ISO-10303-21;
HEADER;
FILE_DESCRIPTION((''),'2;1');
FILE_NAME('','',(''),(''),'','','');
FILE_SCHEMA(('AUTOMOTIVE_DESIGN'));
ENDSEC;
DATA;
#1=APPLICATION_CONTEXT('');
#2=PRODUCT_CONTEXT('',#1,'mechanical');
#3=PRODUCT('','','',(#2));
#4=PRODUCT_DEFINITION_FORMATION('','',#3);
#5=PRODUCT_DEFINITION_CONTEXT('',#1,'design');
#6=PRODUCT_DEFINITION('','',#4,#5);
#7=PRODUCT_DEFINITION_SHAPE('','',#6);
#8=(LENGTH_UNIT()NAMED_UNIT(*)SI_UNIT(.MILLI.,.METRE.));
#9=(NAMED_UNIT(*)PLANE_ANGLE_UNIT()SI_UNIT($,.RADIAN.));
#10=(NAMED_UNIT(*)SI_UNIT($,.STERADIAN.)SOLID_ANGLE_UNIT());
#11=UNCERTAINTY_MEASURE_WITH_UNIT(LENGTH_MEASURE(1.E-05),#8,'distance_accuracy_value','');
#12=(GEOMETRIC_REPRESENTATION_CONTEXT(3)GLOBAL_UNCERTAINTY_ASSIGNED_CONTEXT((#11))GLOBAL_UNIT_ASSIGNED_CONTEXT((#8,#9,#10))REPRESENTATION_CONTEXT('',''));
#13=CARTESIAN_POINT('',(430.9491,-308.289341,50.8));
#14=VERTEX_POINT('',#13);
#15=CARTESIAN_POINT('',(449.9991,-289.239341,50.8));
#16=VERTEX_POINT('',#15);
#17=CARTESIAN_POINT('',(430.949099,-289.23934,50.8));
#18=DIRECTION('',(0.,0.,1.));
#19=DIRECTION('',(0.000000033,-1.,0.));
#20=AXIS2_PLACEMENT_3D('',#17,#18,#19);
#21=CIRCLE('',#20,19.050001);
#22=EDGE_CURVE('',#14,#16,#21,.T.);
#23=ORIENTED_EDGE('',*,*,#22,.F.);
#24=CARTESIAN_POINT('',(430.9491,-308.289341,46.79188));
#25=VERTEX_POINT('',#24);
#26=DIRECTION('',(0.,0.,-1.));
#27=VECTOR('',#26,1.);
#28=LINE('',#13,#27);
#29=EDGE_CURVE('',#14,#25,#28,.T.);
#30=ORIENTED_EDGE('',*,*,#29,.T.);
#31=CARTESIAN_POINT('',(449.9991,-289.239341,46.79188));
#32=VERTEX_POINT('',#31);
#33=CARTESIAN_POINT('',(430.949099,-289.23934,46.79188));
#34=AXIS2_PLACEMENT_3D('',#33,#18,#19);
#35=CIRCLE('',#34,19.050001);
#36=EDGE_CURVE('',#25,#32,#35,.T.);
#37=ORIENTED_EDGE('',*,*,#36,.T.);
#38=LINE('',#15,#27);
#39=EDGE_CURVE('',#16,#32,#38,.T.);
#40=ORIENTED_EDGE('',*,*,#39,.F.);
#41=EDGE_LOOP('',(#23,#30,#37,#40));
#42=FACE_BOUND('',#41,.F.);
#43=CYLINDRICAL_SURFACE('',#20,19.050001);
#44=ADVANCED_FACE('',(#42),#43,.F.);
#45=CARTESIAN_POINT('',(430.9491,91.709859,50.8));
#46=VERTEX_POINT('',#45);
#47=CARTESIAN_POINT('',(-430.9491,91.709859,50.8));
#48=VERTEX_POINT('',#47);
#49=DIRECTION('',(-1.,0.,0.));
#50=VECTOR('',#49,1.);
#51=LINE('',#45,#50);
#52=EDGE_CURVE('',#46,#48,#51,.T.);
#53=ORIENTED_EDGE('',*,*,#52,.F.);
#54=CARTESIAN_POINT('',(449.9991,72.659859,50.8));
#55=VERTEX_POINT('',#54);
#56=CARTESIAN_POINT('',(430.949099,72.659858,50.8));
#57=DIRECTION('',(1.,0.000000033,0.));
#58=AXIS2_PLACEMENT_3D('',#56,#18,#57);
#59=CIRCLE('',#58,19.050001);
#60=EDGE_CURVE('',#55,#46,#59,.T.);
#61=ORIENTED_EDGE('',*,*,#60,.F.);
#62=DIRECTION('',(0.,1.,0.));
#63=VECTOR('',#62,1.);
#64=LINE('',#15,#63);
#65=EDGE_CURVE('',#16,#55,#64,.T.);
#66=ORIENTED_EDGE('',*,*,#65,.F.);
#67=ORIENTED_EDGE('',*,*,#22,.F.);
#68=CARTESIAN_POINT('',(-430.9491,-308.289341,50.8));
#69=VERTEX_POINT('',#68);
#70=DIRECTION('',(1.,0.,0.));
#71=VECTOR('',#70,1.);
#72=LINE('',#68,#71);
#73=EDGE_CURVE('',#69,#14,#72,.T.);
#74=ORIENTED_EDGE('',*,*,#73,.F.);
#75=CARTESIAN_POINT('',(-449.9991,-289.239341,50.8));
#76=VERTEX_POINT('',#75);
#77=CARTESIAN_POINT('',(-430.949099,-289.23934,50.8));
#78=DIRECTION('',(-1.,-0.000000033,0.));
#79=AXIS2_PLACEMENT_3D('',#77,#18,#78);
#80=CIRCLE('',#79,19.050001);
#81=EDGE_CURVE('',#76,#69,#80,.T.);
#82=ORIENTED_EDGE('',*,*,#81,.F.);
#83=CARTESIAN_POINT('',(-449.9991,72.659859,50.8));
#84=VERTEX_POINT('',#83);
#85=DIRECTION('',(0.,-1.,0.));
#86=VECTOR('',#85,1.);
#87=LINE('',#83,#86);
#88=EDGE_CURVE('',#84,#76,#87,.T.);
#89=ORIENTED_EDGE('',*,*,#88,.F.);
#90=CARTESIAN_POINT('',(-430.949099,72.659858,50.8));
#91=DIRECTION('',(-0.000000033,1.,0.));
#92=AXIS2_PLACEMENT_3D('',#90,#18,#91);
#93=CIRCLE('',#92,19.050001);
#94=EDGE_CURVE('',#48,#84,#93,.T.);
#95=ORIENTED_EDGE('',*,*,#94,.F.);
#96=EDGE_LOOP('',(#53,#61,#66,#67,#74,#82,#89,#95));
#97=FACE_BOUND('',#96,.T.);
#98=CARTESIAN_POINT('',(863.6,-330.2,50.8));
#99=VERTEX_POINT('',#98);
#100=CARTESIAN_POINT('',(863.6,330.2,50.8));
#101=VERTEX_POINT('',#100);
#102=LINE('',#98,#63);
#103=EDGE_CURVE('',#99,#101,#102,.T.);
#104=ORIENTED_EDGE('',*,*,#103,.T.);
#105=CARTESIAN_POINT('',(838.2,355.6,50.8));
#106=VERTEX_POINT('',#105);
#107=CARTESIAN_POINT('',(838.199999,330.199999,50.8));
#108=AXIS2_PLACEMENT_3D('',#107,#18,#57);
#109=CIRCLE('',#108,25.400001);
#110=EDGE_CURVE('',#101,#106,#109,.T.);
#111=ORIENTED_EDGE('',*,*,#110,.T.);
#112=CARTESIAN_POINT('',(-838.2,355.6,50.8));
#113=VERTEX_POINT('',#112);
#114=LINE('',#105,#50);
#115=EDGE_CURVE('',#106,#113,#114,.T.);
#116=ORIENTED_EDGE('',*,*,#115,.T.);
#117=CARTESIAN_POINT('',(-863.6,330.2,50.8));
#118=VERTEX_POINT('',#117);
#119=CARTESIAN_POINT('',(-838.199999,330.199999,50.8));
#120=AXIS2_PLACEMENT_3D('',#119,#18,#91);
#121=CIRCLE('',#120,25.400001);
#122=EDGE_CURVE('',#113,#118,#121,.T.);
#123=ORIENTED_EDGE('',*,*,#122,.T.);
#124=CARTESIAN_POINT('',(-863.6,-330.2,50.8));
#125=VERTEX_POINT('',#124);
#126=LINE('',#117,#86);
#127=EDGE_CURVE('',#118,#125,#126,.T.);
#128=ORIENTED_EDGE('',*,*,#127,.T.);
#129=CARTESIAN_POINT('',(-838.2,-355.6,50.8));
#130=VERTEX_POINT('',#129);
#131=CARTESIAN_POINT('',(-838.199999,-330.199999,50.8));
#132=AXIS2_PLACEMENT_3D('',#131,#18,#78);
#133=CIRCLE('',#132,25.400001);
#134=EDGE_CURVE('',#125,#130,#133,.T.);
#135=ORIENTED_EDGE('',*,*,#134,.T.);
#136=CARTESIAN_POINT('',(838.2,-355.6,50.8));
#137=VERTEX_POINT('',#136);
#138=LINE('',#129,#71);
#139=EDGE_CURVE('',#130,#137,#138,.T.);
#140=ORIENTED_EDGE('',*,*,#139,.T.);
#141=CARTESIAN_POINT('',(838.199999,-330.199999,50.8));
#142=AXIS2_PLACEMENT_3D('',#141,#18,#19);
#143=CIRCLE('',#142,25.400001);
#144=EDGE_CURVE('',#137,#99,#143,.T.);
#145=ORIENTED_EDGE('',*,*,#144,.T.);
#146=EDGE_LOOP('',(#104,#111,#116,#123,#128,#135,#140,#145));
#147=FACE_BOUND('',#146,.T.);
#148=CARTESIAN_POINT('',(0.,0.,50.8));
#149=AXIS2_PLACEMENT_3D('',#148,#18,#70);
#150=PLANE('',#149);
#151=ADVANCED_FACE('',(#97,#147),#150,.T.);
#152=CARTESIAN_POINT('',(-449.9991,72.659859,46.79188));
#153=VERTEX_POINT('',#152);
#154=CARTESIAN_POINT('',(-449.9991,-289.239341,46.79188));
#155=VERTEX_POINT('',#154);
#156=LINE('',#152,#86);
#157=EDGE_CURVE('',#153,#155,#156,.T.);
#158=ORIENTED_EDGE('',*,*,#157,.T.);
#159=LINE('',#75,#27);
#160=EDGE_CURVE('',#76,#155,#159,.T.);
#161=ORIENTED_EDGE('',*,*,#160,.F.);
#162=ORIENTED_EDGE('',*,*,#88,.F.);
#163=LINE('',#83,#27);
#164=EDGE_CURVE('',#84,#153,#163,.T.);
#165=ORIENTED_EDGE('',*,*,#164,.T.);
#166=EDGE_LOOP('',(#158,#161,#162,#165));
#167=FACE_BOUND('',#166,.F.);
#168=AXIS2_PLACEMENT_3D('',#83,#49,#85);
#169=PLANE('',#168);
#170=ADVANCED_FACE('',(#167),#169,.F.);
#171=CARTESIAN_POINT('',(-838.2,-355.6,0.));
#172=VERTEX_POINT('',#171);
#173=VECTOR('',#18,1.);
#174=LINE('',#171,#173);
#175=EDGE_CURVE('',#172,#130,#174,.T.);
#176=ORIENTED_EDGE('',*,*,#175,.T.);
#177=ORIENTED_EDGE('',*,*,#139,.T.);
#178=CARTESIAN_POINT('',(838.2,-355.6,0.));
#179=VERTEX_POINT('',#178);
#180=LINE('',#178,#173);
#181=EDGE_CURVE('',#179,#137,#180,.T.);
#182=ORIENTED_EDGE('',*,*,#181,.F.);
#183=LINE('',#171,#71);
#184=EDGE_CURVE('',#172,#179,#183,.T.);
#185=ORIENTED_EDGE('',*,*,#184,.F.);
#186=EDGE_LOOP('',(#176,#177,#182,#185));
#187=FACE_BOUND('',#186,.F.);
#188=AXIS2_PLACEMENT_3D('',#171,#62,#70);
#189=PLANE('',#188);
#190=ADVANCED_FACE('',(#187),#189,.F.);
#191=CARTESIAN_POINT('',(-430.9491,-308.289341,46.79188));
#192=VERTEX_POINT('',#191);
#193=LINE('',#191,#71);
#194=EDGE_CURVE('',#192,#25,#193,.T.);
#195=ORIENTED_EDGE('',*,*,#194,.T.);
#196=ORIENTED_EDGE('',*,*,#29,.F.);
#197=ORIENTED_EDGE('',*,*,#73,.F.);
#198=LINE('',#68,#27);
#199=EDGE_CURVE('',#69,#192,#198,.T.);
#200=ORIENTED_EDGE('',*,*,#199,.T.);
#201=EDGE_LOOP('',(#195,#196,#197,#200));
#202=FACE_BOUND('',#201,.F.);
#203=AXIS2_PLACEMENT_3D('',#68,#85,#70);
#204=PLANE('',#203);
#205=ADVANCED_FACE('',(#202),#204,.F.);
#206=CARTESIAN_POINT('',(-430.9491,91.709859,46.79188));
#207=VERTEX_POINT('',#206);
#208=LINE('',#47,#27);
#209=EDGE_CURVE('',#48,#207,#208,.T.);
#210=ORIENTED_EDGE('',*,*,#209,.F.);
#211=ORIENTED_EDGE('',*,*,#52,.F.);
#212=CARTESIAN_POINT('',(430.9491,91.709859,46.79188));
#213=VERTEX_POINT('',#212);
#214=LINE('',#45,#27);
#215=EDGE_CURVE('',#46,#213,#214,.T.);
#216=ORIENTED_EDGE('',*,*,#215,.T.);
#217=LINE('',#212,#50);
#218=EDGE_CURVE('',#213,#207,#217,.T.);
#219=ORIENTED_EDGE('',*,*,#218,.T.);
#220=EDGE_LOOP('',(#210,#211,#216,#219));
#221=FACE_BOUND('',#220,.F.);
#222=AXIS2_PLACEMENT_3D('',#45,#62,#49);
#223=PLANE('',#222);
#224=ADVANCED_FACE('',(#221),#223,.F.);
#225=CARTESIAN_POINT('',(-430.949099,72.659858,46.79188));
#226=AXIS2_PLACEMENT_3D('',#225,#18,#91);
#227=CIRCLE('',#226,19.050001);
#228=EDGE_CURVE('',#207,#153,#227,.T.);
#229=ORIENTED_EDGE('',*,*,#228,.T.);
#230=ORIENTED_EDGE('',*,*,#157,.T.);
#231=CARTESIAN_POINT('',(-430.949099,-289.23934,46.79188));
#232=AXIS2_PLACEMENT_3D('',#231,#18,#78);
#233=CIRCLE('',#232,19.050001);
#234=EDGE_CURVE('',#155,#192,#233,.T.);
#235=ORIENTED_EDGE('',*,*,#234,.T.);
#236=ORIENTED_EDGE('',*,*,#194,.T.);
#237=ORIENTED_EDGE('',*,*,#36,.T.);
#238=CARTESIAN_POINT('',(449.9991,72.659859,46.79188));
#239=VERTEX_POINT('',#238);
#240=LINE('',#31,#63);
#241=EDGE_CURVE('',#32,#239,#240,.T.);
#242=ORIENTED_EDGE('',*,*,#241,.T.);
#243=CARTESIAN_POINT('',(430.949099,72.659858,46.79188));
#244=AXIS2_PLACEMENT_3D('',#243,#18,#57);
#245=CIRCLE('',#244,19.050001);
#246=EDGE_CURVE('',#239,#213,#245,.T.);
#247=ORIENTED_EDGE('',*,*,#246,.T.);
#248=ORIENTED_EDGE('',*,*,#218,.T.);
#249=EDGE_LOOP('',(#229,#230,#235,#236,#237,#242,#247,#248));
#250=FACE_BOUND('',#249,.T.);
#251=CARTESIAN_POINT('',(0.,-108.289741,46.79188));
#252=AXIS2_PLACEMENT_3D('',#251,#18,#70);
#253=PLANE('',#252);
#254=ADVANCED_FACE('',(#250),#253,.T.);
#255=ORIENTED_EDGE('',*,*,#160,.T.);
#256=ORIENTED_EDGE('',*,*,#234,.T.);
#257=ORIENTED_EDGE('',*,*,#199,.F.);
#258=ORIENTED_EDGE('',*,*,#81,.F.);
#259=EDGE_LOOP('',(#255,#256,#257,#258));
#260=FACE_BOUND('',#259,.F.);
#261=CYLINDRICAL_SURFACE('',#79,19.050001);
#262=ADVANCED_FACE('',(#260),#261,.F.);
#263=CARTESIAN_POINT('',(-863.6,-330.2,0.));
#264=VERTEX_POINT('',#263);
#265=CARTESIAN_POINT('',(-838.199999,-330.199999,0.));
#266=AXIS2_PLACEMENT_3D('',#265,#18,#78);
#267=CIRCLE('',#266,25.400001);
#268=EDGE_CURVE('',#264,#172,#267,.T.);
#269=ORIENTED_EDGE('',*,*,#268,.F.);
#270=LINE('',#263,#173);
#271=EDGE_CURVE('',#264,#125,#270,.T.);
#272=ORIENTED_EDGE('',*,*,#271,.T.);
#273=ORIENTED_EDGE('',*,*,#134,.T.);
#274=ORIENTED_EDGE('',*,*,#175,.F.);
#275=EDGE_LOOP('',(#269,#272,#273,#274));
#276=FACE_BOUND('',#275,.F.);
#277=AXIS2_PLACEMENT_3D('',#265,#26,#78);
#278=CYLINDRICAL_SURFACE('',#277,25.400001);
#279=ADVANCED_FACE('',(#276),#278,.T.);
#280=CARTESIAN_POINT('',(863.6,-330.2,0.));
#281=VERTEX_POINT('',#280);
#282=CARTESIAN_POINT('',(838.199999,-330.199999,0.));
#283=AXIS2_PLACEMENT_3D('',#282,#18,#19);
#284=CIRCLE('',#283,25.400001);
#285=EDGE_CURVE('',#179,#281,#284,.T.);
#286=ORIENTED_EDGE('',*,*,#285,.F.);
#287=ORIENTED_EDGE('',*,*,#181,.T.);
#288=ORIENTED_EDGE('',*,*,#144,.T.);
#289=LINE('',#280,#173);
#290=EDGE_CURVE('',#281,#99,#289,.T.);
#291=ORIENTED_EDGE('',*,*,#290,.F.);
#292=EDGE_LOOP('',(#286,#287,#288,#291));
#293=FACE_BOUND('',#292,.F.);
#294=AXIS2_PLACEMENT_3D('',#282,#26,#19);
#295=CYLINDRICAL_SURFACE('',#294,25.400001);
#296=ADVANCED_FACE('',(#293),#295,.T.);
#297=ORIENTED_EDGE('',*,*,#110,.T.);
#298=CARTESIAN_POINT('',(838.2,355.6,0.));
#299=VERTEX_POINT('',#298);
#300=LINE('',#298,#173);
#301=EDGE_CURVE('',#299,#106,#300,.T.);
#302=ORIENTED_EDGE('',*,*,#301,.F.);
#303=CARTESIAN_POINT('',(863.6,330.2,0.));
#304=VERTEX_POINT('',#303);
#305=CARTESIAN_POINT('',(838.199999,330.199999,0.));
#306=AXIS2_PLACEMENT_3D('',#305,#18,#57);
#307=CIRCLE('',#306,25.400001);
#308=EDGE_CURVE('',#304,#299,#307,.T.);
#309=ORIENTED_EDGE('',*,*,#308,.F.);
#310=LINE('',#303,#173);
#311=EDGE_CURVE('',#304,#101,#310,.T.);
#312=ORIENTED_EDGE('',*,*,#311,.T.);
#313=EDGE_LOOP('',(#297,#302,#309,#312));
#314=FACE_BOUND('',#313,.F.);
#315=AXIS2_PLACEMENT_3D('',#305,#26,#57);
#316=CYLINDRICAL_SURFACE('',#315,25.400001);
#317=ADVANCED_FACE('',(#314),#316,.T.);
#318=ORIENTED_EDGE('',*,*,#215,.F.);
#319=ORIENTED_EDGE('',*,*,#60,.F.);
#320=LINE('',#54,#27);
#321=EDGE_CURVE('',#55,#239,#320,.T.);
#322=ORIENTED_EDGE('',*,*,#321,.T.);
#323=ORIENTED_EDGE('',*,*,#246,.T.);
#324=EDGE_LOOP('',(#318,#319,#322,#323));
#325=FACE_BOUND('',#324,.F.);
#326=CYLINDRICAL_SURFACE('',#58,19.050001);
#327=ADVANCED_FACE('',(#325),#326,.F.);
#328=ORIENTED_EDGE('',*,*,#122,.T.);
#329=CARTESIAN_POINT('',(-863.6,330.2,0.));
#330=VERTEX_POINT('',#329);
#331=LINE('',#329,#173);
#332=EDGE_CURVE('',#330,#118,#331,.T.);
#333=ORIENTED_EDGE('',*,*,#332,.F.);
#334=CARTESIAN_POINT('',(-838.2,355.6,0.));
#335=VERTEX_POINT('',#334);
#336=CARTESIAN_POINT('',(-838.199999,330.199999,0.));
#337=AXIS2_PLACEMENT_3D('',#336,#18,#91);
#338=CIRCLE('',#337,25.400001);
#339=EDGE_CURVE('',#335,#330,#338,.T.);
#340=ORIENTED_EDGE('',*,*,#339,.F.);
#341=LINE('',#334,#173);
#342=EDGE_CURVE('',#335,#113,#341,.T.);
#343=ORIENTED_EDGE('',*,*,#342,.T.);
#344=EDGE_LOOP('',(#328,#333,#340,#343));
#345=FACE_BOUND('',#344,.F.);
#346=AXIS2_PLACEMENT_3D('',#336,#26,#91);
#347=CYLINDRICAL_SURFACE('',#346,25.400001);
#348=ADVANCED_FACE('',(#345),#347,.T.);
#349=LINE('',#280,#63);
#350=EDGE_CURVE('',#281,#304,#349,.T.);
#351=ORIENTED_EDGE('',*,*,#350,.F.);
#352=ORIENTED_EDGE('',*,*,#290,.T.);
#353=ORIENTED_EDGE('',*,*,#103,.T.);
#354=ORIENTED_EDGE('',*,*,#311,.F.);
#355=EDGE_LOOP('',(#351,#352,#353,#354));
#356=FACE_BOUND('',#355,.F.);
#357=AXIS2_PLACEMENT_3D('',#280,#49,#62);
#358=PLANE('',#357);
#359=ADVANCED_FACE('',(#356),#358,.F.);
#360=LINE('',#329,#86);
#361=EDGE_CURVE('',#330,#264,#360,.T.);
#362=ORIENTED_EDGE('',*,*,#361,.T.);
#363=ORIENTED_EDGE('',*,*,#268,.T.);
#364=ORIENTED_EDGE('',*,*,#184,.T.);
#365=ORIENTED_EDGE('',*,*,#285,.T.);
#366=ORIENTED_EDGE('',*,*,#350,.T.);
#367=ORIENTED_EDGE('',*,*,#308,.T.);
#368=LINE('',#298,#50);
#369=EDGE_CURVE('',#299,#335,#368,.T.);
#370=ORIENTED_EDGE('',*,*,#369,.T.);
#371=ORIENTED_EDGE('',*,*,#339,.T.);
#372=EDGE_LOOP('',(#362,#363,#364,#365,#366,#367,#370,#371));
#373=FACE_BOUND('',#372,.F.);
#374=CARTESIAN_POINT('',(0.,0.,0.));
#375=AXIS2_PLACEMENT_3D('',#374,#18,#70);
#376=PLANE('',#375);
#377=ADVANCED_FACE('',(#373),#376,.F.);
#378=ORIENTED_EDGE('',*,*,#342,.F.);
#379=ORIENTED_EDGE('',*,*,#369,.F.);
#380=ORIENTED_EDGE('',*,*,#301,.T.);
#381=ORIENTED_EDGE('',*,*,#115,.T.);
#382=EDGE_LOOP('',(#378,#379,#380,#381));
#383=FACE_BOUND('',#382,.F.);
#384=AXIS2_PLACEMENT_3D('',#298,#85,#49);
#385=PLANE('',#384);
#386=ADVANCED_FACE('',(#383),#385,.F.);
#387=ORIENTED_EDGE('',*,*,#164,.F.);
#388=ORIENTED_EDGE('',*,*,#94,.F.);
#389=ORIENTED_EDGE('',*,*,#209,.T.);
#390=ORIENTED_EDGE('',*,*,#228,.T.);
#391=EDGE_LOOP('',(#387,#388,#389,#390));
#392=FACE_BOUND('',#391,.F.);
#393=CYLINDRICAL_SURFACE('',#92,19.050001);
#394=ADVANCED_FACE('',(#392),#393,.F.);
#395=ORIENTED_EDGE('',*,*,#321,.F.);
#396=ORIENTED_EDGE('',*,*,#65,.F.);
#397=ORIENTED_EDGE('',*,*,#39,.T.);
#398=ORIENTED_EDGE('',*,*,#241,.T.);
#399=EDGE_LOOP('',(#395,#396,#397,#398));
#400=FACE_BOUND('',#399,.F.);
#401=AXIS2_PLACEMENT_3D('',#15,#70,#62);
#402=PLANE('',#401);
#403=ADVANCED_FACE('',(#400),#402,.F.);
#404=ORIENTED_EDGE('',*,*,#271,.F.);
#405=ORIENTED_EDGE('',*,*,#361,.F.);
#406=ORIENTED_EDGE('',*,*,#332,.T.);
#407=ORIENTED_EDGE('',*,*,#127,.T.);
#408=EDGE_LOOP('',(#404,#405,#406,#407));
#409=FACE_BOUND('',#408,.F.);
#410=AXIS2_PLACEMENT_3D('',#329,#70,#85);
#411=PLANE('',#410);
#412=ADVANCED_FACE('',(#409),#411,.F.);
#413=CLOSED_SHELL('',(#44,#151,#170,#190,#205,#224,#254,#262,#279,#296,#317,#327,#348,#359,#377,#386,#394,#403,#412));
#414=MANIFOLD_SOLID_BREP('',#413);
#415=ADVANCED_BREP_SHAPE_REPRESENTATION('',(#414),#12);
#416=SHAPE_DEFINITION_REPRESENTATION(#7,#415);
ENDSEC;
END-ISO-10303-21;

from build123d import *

# Parameters (mm, degrees)
F1_DEPTH = 50.8
F3_DEPTH = 4.00812


with BuildPart() as f1:
    # F0 (on Top) → F1 (new body)
    with BuildSketch(Plane.XY):
        with BuildLine():
            Line((838.2, 355.6), (-838.2, 355.6))
            ThreePointArc((-838.2, 355.6), (-856.160512, 348.160512), (-863.6, 330.2))
            Line((-863.6, 330.2), (-863.6, -330.2))
            ThreePointArc((-863.6, -330.2), (-856.160512, -348.160512), (-838.2, -355.6))
            Line((-838.2, -355.6), (838.2, -355.6))
            ThreePointArc((838.2, -355.6), (856.160512, -348.160512), (863.6, -330.2))
            Line((863.6, -330.2), (863.6, 330.2))
            ThreePointArc((863.6, 330.2), (856.160512, 348.160512), (838.2, 355.6))
        make_face()
    extrude(amount=F1_DEPTH)

    # F2 (on face) → F3 (cut)
    with BuildSketch(Plane.XY.offset(50.8)):
        with BuildLine():
            Line((430.9491, 91.709859), (-430.9491, 91.709859))
            ThreePointArc((-430.9491, 91.709859), (-444.419484, 86.130243), (-449.9991, 72.659859))
            Line((-449.9991, 72.659859), (-449.9991, -289.239341))
            ThreePointArc((-449.9991, -289.239341), (-444.419484, -302.709725), (-430.9491, -308.289341))
            Line((-430.9491, -308.289341), (430.9491, -308.289341))
            ThreePointArc((430.9491, -308.289341), (444.419484, -302.709725), (449.9991, -289.239341))
            Line((449.9991, -289.239341), (449.9991, 72.659859))
            ThreePointArc((449.9991, 72.659859), (444.419484, 86.130243), (430.9491, 91.709859))
        make_face()
    extrude(amount=-F3_DEPTH, mode=Mode.SUBTRACT)


solid = f1.part
